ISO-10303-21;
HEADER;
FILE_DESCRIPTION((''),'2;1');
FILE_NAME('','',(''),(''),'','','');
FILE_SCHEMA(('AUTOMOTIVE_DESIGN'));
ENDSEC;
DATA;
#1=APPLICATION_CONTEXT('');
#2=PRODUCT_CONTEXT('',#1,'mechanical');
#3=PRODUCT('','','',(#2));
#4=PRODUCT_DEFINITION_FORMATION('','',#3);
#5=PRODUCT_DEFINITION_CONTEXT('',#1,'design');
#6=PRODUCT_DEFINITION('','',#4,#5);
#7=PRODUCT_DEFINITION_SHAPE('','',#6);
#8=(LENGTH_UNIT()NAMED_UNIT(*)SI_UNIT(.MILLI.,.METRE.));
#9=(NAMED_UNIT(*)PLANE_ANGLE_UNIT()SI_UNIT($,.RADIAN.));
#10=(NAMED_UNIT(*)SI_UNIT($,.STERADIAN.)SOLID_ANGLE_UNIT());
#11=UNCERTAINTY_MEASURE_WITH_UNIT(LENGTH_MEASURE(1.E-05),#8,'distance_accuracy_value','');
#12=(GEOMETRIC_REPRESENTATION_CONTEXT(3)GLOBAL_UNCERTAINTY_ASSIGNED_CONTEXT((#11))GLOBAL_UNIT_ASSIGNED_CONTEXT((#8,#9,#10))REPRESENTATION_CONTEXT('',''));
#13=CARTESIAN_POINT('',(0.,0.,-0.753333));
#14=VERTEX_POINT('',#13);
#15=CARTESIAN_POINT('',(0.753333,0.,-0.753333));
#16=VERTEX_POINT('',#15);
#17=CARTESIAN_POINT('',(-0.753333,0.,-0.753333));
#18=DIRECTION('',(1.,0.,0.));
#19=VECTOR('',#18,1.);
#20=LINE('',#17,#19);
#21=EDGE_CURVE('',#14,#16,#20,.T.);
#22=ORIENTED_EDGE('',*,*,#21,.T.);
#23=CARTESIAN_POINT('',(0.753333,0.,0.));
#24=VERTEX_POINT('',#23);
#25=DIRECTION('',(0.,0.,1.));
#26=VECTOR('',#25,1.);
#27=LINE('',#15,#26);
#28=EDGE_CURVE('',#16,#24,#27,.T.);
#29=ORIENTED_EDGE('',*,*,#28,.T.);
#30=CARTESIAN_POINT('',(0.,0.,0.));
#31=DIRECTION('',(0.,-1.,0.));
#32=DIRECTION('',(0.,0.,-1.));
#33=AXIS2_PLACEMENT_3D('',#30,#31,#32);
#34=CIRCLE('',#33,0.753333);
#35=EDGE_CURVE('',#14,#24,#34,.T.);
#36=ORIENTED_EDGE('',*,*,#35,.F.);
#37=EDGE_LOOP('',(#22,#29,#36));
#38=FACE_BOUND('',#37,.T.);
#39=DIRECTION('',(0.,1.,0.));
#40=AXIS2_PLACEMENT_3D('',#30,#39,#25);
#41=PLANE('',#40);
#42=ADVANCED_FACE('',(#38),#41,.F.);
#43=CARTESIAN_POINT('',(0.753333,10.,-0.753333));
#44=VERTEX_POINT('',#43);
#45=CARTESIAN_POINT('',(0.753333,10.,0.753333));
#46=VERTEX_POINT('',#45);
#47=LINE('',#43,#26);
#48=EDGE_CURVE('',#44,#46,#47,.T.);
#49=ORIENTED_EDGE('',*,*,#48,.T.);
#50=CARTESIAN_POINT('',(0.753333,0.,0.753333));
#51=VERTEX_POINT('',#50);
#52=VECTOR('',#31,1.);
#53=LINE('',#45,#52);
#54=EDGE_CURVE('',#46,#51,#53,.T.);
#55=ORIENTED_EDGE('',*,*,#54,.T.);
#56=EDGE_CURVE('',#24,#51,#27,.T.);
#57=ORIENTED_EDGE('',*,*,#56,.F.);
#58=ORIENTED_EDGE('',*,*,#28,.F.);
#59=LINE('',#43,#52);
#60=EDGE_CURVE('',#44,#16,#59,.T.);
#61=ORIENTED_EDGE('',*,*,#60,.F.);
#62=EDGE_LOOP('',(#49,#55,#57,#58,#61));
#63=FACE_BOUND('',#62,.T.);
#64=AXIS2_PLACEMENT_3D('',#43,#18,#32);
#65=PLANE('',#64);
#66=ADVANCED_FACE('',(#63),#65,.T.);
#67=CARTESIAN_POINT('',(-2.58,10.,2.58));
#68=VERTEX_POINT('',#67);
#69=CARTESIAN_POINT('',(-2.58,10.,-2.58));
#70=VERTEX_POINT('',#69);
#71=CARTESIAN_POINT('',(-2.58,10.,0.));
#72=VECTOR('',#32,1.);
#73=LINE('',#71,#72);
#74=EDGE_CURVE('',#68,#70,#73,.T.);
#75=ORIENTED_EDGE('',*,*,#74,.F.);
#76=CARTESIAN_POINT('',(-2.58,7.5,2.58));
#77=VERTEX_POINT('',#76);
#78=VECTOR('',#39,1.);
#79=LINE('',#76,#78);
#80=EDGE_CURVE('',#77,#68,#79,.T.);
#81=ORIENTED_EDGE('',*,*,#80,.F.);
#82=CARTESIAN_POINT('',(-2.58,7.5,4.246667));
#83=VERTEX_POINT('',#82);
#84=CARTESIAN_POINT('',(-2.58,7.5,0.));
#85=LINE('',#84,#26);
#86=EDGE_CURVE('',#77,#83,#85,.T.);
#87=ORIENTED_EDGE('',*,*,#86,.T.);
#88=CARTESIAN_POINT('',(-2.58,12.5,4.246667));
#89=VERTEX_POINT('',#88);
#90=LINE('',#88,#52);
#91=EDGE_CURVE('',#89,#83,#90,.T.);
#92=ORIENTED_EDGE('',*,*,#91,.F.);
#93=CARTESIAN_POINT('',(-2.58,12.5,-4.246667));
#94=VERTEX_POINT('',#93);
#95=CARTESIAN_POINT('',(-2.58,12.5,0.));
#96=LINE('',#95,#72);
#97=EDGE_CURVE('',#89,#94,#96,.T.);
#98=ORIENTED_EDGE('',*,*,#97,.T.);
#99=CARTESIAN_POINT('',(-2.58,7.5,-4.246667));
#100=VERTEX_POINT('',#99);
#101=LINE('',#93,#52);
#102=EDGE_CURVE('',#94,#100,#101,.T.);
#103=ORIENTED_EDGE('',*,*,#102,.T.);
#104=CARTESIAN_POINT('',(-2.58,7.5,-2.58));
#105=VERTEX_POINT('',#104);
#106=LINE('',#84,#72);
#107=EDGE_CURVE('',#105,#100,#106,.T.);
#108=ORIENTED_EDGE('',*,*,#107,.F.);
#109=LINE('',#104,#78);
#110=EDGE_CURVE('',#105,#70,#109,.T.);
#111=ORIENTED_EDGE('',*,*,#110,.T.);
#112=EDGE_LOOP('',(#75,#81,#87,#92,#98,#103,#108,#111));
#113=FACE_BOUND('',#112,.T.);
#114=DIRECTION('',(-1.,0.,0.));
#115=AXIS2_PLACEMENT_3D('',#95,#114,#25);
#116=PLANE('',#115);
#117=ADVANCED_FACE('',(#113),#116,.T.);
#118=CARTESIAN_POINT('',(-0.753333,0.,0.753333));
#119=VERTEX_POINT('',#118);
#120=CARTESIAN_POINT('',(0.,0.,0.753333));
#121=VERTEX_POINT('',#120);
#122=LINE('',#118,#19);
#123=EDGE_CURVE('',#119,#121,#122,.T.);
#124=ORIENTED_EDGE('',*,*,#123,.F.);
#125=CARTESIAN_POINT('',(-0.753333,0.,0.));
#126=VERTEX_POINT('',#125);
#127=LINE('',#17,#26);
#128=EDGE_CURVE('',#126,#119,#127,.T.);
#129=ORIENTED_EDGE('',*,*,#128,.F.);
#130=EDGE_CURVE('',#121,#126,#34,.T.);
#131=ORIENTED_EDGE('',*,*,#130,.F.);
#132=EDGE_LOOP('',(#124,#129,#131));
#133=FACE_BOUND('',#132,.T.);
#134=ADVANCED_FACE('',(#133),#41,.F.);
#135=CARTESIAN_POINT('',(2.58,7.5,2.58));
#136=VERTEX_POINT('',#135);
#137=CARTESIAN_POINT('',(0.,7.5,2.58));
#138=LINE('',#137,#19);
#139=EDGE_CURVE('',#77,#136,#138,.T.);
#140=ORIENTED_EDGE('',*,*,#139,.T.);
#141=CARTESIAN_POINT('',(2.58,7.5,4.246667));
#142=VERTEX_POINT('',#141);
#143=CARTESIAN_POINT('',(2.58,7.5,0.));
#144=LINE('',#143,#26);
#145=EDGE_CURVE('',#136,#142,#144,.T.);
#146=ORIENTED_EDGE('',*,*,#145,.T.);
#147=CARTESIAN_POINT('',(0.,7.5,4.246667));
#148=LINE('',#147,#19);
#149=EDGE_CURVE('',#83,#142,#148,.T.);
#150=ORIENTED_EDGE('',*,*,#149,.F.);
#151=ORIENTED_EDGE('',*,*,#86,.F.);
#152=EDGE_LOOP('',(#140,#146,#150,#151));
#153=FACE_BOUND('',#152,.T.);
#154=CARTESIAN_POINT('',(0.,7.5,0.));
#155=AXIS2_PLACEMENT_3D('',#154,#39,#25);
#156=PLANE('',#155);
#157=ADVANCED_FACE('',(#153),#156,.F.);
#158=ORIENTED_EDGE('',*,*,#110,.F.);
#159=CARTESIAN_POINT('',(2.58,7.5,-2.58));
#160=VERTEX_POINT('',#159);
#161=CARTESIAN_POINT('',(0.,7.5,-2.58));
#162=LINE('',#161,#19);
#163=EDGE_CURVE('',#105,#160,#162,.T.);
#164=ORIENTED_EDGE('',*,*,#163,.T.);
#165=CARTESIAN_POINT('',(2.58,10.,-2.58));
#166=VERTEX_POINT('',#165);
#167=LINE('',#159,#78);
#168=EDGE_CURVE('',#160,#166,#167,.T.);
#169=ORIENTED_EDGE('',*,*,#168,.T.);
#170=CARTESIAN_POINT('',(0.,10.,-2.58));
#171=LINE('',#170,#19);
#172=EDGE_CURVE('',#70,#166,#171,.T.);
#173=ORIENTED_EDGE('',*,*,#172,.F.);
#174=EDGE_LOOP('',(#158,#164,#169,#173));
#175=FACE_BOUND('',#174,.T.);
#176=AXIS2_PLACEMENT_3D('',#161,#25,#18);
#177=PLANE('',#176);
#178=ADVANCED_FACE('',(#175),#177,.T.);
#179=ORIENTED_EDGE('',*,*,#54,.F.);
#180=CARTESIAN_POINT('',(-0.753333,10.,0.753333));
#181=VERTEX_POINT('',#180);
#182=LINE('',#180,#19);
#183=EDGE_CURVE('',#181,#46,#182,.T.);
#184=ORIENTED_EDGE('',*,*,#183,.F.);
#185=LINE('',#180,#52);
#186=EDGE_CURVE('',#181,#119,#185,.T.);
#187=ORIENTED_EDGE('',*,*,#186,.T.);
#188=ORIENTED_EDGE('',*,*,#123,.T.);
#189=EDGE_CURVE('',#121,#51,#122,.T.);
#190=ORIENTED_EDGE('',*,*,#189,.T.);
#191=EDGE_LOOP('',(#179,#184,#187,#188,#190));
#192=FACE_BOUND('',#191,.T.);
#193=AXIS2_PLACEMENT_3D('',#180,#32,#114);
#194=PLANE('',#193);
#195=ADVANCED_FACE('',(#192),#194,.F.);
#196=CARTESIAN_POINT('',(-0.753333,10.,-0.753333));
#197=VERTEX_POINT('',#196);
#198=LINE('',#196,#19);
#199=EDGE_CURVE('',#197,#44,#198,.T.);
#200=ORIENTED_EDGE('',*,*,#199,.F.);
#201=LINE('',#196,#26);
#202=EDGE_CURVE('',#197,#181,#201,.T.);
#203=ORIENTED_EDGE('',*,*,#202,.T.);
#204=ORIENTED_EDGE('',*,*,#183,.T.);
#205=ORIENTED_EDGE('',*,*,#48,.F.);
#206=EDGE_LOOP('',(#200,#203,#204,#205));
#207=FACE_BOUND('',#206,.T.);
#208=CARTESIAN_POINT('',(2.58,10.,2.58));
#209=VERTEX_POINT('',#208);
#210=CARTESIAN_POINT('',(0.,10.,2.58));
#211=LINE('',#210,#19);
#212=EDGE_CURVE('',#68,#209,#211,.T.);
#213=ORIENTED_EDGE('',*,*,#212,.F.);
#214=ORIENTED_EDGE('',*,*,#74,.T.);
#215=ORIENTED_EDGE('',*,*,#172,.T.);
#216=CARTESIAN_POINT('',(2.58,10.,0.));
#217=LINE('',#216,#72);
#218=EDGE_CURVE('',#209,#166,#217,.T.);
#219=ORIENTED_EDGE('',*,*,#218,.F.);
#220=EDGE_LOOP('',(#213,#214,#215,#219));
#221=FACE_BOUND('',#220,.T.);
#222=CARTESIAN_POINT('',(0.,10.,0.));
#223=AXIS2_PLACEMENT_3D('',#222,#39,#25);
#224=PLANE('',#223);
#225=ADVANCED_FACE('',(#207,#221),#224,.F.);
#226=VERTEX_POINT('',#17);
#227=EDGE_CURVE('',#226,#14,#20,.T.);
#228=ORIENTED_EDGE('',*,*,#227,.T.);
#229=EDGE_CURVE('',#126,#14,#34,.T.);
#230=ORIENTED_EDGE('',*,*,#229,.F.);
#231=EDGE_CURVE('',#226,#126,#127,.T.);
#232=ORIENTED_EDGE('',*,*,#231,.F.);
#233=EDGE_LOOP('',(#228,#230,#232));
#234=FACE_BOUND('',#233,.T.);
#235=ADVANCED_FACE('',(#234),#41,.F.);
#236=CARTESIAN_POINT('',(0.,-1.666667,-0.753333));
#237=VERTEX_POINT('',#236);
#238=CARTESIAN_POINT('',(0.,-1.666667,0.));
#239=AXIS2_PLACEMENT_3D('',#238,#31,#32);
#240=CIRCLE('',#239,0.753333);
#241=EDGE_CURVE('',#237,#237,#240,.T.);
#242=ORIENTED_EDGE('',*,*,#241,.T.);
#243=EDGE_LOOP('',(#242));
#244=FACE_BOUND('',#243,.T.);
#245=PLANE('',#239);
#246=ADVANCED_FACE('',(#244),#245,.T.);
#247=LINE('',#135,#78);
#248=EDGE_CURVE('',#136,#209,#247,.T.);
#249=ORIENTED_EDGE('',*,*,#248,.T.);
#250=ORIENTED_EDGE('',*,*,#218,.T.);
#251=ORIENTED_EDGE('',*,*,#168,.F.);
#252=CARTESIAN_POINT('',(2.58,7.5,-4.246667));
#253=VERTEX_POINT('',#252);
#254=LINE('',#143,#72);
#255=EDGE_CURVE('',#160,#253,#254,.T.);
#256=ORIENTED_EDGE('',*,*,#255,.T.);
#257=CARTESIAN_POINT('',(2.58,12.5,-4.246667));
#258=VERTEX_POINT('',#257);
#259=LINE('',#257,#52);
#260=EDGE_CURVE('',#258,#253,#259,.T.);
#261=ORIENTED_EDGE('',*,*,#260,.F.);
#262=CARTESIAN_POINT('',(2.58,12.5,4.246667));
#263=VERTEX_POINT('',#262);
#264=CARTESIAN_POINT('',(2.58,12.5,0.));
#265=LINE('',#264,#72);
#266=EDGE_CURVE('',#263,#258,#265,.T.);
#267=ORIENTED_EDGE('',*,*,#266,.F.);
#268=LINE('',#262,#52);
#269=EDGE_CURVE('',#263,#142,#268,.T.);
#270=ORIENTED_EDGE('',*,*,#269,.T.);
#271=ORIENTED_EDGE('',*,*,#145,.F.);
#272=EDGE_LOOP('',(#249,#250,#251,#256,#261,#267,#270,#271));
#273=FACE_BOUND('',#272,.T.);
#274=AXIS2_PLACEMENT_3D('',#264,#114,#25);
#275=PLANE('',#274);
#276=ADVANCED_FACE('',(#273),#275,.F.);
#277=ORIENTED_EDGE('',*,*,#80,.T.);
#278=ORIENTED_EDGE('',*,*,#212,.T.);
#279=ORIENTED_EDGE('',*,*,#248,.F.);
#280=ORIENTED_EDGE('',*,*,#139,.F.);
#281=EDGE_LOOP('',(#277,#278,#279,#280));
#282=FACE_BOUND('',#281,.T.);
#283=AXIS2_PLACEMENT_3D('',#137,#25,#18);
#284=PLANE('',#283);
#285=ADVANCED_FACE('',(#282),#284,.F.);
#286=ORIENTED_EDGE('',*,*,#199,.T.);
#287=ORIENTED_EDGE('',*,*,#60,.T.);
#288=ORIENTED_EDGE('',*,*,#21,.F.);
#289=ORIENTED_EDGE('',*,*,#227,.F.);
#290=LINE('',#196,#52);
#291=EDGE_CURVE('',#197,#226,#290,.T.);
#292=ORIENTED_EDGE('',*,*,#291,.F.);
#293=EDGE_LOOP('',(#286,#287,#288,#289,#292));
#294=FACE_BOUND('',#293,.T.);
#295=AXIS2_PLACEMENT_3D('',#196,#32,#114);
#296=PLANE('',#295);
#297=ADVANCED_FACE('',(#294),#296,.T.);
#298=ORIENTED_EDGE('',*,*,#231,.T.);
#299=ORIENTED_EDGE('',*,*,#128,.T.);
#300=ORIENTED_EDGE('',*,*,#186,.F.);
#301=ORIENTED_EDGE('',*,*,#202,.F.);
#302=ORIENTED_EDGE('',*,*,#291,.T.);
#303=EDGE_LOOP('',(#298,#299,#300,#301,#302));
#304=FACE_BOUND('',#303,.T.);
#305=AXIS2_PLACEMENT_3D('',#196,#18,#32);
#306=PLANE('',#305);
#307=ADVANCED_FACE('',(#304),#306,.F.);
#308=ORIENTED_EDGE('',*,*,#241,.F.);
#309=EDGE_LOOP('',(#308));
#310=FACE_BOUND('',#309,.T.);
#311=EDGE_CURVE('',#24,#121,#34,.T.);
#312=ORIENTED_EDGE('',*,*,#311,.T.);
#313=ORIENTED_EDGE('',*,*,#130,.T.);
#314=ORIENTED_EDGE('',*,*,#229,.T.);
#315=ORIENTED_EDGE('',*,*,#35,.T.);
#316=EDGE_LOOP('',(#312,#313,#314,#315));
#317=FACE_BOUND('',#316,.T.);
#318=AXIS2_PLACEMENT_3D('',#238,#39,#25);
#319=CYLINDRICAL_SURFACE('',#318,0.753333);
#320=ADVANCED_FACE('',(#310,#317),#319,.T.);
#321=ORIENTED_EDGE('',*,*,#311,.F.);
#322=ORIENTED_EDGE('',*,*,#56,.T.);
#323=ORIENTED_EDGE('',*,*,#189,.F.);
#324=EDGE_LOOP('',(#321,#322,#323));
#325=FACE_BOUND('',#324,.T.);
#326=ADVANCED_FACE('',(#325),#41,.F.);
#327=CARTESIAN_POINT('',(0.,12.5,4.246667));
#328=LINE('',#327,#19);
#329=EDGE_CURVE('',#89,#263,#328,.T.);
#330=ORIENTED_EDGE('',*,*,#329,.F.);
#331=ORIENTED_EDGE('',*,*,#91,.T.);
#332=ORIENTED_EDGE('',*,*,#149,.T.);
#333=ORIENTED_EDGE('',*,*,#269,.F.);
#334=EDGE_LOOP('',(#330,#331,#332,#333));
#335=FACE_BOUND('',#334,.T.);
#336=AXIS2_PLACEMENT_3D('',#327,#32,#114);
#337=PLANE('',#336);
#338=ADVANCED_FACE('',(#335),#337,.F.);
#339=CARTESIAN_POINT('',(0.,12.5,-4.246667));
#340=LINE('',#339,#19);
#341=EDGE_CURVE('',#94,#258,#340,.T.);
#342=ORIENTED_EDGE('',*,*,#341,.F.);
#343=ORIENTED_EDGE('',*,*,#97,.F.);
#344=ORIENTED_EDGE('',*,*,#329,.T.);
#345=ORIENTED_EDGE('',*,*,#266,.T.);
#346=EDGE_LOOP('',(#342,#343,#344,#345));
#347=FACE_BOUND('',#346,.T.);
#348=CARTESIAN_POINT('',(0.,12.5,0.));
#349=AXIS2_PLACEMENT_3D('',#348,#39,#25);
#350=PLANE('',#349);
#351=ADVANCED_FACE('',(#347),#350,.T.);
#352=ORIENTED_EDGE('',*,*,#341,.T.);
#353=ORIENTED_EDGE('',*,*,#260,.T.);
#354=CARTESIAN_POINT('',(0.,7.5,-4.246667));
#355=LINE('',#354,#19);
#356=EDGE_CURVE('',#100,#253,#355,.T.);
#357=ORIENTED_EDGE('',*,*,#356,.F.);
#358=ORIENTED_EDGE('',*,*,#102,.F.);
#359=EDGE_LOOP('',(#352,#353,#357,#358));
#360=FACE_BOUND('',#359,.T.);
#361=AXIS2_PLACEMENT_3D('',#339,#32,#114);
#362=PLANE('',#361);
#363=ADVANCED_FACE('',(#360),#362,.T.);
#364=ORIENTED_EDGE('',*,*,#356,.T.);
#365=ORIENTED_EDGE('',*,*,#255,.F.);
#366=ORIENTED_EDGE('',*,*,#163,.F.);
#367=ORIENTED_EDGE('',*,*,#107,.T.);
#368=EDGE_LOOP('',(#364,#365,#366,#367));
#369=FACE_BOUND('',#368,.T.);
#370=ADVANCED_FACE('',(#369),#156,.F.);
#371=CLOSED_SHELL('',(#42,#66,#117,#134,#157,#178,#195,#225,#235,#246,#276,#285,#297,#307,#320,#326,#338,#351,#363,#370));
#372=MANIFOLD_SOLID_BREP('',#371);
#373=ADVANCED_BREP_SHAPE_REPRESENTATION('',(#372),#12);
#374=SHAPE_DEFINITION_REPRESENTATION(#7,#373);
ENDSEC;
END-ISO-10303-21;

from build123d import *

# Parameters (mm, degrees)
SKETCH1_W           = 1.506666666
SKETCH1_H           = 1.506666666
PIN_DEPTH           = 10
SKETCH2_R           = 0.753333333
TIP_DEPTH           = 1.666666667
SKETCH3_W           = 5.16
SKETCH3_H           = 8.493333334
HANDLE_DEPTH        = 2.5
SKETCH3_3_W         = 5.16
SKETCH3_3_H         = 1.666666667
BOSS_EXTRUDE4_DEPTH = 2.5


with BuildPart() as part:
    # Sketch1 → Pin (new body)
    with BuildSketch(Plane(origin=(0, 0, 0), x_dir=(1, 0, 0), z_dir=(0, 1, 0))):
        Rectangle(SKETCH1_W, SKETCH1_H)
    extrude(amount=PIN_DEPTH)

    # Sketch2 → Tip (add)
    with BuildSketch(Plane.XZ):
        Circle(SKETCH2_R)
    extrude(amount=TIP_DEPTH)

    # Sketch3 → Handle (add)
    with BuildSketch(Plane(origin=(0, 10, 0), x_dir=(1, 0, 0), z_dir=(0, 1, 0))):
        Rectangle(SKETCH3_W, SKETCH3_H)
    extrude(amount=HANDLE_DEPTH)

    # Sketch3<3> → Boss-Extrude4 (add)
    with BuildSketch(Plane(origin=(0, 10, 0), x_dir=(1, 0, 0), z_dir=(0, 1, 0))):
        with Locations((0, 3.413333334)):
            Rectangle(SKETCH3_3_W, SKETCH3_3_H)
        with Locations((0, -3.413333334)):
            Rectangle(SKETCH3_3_W, SKETCH3_3_H)
    extrude(amount=-BOSS_EXTRUDE4_DEPTH)


solid = part.part
